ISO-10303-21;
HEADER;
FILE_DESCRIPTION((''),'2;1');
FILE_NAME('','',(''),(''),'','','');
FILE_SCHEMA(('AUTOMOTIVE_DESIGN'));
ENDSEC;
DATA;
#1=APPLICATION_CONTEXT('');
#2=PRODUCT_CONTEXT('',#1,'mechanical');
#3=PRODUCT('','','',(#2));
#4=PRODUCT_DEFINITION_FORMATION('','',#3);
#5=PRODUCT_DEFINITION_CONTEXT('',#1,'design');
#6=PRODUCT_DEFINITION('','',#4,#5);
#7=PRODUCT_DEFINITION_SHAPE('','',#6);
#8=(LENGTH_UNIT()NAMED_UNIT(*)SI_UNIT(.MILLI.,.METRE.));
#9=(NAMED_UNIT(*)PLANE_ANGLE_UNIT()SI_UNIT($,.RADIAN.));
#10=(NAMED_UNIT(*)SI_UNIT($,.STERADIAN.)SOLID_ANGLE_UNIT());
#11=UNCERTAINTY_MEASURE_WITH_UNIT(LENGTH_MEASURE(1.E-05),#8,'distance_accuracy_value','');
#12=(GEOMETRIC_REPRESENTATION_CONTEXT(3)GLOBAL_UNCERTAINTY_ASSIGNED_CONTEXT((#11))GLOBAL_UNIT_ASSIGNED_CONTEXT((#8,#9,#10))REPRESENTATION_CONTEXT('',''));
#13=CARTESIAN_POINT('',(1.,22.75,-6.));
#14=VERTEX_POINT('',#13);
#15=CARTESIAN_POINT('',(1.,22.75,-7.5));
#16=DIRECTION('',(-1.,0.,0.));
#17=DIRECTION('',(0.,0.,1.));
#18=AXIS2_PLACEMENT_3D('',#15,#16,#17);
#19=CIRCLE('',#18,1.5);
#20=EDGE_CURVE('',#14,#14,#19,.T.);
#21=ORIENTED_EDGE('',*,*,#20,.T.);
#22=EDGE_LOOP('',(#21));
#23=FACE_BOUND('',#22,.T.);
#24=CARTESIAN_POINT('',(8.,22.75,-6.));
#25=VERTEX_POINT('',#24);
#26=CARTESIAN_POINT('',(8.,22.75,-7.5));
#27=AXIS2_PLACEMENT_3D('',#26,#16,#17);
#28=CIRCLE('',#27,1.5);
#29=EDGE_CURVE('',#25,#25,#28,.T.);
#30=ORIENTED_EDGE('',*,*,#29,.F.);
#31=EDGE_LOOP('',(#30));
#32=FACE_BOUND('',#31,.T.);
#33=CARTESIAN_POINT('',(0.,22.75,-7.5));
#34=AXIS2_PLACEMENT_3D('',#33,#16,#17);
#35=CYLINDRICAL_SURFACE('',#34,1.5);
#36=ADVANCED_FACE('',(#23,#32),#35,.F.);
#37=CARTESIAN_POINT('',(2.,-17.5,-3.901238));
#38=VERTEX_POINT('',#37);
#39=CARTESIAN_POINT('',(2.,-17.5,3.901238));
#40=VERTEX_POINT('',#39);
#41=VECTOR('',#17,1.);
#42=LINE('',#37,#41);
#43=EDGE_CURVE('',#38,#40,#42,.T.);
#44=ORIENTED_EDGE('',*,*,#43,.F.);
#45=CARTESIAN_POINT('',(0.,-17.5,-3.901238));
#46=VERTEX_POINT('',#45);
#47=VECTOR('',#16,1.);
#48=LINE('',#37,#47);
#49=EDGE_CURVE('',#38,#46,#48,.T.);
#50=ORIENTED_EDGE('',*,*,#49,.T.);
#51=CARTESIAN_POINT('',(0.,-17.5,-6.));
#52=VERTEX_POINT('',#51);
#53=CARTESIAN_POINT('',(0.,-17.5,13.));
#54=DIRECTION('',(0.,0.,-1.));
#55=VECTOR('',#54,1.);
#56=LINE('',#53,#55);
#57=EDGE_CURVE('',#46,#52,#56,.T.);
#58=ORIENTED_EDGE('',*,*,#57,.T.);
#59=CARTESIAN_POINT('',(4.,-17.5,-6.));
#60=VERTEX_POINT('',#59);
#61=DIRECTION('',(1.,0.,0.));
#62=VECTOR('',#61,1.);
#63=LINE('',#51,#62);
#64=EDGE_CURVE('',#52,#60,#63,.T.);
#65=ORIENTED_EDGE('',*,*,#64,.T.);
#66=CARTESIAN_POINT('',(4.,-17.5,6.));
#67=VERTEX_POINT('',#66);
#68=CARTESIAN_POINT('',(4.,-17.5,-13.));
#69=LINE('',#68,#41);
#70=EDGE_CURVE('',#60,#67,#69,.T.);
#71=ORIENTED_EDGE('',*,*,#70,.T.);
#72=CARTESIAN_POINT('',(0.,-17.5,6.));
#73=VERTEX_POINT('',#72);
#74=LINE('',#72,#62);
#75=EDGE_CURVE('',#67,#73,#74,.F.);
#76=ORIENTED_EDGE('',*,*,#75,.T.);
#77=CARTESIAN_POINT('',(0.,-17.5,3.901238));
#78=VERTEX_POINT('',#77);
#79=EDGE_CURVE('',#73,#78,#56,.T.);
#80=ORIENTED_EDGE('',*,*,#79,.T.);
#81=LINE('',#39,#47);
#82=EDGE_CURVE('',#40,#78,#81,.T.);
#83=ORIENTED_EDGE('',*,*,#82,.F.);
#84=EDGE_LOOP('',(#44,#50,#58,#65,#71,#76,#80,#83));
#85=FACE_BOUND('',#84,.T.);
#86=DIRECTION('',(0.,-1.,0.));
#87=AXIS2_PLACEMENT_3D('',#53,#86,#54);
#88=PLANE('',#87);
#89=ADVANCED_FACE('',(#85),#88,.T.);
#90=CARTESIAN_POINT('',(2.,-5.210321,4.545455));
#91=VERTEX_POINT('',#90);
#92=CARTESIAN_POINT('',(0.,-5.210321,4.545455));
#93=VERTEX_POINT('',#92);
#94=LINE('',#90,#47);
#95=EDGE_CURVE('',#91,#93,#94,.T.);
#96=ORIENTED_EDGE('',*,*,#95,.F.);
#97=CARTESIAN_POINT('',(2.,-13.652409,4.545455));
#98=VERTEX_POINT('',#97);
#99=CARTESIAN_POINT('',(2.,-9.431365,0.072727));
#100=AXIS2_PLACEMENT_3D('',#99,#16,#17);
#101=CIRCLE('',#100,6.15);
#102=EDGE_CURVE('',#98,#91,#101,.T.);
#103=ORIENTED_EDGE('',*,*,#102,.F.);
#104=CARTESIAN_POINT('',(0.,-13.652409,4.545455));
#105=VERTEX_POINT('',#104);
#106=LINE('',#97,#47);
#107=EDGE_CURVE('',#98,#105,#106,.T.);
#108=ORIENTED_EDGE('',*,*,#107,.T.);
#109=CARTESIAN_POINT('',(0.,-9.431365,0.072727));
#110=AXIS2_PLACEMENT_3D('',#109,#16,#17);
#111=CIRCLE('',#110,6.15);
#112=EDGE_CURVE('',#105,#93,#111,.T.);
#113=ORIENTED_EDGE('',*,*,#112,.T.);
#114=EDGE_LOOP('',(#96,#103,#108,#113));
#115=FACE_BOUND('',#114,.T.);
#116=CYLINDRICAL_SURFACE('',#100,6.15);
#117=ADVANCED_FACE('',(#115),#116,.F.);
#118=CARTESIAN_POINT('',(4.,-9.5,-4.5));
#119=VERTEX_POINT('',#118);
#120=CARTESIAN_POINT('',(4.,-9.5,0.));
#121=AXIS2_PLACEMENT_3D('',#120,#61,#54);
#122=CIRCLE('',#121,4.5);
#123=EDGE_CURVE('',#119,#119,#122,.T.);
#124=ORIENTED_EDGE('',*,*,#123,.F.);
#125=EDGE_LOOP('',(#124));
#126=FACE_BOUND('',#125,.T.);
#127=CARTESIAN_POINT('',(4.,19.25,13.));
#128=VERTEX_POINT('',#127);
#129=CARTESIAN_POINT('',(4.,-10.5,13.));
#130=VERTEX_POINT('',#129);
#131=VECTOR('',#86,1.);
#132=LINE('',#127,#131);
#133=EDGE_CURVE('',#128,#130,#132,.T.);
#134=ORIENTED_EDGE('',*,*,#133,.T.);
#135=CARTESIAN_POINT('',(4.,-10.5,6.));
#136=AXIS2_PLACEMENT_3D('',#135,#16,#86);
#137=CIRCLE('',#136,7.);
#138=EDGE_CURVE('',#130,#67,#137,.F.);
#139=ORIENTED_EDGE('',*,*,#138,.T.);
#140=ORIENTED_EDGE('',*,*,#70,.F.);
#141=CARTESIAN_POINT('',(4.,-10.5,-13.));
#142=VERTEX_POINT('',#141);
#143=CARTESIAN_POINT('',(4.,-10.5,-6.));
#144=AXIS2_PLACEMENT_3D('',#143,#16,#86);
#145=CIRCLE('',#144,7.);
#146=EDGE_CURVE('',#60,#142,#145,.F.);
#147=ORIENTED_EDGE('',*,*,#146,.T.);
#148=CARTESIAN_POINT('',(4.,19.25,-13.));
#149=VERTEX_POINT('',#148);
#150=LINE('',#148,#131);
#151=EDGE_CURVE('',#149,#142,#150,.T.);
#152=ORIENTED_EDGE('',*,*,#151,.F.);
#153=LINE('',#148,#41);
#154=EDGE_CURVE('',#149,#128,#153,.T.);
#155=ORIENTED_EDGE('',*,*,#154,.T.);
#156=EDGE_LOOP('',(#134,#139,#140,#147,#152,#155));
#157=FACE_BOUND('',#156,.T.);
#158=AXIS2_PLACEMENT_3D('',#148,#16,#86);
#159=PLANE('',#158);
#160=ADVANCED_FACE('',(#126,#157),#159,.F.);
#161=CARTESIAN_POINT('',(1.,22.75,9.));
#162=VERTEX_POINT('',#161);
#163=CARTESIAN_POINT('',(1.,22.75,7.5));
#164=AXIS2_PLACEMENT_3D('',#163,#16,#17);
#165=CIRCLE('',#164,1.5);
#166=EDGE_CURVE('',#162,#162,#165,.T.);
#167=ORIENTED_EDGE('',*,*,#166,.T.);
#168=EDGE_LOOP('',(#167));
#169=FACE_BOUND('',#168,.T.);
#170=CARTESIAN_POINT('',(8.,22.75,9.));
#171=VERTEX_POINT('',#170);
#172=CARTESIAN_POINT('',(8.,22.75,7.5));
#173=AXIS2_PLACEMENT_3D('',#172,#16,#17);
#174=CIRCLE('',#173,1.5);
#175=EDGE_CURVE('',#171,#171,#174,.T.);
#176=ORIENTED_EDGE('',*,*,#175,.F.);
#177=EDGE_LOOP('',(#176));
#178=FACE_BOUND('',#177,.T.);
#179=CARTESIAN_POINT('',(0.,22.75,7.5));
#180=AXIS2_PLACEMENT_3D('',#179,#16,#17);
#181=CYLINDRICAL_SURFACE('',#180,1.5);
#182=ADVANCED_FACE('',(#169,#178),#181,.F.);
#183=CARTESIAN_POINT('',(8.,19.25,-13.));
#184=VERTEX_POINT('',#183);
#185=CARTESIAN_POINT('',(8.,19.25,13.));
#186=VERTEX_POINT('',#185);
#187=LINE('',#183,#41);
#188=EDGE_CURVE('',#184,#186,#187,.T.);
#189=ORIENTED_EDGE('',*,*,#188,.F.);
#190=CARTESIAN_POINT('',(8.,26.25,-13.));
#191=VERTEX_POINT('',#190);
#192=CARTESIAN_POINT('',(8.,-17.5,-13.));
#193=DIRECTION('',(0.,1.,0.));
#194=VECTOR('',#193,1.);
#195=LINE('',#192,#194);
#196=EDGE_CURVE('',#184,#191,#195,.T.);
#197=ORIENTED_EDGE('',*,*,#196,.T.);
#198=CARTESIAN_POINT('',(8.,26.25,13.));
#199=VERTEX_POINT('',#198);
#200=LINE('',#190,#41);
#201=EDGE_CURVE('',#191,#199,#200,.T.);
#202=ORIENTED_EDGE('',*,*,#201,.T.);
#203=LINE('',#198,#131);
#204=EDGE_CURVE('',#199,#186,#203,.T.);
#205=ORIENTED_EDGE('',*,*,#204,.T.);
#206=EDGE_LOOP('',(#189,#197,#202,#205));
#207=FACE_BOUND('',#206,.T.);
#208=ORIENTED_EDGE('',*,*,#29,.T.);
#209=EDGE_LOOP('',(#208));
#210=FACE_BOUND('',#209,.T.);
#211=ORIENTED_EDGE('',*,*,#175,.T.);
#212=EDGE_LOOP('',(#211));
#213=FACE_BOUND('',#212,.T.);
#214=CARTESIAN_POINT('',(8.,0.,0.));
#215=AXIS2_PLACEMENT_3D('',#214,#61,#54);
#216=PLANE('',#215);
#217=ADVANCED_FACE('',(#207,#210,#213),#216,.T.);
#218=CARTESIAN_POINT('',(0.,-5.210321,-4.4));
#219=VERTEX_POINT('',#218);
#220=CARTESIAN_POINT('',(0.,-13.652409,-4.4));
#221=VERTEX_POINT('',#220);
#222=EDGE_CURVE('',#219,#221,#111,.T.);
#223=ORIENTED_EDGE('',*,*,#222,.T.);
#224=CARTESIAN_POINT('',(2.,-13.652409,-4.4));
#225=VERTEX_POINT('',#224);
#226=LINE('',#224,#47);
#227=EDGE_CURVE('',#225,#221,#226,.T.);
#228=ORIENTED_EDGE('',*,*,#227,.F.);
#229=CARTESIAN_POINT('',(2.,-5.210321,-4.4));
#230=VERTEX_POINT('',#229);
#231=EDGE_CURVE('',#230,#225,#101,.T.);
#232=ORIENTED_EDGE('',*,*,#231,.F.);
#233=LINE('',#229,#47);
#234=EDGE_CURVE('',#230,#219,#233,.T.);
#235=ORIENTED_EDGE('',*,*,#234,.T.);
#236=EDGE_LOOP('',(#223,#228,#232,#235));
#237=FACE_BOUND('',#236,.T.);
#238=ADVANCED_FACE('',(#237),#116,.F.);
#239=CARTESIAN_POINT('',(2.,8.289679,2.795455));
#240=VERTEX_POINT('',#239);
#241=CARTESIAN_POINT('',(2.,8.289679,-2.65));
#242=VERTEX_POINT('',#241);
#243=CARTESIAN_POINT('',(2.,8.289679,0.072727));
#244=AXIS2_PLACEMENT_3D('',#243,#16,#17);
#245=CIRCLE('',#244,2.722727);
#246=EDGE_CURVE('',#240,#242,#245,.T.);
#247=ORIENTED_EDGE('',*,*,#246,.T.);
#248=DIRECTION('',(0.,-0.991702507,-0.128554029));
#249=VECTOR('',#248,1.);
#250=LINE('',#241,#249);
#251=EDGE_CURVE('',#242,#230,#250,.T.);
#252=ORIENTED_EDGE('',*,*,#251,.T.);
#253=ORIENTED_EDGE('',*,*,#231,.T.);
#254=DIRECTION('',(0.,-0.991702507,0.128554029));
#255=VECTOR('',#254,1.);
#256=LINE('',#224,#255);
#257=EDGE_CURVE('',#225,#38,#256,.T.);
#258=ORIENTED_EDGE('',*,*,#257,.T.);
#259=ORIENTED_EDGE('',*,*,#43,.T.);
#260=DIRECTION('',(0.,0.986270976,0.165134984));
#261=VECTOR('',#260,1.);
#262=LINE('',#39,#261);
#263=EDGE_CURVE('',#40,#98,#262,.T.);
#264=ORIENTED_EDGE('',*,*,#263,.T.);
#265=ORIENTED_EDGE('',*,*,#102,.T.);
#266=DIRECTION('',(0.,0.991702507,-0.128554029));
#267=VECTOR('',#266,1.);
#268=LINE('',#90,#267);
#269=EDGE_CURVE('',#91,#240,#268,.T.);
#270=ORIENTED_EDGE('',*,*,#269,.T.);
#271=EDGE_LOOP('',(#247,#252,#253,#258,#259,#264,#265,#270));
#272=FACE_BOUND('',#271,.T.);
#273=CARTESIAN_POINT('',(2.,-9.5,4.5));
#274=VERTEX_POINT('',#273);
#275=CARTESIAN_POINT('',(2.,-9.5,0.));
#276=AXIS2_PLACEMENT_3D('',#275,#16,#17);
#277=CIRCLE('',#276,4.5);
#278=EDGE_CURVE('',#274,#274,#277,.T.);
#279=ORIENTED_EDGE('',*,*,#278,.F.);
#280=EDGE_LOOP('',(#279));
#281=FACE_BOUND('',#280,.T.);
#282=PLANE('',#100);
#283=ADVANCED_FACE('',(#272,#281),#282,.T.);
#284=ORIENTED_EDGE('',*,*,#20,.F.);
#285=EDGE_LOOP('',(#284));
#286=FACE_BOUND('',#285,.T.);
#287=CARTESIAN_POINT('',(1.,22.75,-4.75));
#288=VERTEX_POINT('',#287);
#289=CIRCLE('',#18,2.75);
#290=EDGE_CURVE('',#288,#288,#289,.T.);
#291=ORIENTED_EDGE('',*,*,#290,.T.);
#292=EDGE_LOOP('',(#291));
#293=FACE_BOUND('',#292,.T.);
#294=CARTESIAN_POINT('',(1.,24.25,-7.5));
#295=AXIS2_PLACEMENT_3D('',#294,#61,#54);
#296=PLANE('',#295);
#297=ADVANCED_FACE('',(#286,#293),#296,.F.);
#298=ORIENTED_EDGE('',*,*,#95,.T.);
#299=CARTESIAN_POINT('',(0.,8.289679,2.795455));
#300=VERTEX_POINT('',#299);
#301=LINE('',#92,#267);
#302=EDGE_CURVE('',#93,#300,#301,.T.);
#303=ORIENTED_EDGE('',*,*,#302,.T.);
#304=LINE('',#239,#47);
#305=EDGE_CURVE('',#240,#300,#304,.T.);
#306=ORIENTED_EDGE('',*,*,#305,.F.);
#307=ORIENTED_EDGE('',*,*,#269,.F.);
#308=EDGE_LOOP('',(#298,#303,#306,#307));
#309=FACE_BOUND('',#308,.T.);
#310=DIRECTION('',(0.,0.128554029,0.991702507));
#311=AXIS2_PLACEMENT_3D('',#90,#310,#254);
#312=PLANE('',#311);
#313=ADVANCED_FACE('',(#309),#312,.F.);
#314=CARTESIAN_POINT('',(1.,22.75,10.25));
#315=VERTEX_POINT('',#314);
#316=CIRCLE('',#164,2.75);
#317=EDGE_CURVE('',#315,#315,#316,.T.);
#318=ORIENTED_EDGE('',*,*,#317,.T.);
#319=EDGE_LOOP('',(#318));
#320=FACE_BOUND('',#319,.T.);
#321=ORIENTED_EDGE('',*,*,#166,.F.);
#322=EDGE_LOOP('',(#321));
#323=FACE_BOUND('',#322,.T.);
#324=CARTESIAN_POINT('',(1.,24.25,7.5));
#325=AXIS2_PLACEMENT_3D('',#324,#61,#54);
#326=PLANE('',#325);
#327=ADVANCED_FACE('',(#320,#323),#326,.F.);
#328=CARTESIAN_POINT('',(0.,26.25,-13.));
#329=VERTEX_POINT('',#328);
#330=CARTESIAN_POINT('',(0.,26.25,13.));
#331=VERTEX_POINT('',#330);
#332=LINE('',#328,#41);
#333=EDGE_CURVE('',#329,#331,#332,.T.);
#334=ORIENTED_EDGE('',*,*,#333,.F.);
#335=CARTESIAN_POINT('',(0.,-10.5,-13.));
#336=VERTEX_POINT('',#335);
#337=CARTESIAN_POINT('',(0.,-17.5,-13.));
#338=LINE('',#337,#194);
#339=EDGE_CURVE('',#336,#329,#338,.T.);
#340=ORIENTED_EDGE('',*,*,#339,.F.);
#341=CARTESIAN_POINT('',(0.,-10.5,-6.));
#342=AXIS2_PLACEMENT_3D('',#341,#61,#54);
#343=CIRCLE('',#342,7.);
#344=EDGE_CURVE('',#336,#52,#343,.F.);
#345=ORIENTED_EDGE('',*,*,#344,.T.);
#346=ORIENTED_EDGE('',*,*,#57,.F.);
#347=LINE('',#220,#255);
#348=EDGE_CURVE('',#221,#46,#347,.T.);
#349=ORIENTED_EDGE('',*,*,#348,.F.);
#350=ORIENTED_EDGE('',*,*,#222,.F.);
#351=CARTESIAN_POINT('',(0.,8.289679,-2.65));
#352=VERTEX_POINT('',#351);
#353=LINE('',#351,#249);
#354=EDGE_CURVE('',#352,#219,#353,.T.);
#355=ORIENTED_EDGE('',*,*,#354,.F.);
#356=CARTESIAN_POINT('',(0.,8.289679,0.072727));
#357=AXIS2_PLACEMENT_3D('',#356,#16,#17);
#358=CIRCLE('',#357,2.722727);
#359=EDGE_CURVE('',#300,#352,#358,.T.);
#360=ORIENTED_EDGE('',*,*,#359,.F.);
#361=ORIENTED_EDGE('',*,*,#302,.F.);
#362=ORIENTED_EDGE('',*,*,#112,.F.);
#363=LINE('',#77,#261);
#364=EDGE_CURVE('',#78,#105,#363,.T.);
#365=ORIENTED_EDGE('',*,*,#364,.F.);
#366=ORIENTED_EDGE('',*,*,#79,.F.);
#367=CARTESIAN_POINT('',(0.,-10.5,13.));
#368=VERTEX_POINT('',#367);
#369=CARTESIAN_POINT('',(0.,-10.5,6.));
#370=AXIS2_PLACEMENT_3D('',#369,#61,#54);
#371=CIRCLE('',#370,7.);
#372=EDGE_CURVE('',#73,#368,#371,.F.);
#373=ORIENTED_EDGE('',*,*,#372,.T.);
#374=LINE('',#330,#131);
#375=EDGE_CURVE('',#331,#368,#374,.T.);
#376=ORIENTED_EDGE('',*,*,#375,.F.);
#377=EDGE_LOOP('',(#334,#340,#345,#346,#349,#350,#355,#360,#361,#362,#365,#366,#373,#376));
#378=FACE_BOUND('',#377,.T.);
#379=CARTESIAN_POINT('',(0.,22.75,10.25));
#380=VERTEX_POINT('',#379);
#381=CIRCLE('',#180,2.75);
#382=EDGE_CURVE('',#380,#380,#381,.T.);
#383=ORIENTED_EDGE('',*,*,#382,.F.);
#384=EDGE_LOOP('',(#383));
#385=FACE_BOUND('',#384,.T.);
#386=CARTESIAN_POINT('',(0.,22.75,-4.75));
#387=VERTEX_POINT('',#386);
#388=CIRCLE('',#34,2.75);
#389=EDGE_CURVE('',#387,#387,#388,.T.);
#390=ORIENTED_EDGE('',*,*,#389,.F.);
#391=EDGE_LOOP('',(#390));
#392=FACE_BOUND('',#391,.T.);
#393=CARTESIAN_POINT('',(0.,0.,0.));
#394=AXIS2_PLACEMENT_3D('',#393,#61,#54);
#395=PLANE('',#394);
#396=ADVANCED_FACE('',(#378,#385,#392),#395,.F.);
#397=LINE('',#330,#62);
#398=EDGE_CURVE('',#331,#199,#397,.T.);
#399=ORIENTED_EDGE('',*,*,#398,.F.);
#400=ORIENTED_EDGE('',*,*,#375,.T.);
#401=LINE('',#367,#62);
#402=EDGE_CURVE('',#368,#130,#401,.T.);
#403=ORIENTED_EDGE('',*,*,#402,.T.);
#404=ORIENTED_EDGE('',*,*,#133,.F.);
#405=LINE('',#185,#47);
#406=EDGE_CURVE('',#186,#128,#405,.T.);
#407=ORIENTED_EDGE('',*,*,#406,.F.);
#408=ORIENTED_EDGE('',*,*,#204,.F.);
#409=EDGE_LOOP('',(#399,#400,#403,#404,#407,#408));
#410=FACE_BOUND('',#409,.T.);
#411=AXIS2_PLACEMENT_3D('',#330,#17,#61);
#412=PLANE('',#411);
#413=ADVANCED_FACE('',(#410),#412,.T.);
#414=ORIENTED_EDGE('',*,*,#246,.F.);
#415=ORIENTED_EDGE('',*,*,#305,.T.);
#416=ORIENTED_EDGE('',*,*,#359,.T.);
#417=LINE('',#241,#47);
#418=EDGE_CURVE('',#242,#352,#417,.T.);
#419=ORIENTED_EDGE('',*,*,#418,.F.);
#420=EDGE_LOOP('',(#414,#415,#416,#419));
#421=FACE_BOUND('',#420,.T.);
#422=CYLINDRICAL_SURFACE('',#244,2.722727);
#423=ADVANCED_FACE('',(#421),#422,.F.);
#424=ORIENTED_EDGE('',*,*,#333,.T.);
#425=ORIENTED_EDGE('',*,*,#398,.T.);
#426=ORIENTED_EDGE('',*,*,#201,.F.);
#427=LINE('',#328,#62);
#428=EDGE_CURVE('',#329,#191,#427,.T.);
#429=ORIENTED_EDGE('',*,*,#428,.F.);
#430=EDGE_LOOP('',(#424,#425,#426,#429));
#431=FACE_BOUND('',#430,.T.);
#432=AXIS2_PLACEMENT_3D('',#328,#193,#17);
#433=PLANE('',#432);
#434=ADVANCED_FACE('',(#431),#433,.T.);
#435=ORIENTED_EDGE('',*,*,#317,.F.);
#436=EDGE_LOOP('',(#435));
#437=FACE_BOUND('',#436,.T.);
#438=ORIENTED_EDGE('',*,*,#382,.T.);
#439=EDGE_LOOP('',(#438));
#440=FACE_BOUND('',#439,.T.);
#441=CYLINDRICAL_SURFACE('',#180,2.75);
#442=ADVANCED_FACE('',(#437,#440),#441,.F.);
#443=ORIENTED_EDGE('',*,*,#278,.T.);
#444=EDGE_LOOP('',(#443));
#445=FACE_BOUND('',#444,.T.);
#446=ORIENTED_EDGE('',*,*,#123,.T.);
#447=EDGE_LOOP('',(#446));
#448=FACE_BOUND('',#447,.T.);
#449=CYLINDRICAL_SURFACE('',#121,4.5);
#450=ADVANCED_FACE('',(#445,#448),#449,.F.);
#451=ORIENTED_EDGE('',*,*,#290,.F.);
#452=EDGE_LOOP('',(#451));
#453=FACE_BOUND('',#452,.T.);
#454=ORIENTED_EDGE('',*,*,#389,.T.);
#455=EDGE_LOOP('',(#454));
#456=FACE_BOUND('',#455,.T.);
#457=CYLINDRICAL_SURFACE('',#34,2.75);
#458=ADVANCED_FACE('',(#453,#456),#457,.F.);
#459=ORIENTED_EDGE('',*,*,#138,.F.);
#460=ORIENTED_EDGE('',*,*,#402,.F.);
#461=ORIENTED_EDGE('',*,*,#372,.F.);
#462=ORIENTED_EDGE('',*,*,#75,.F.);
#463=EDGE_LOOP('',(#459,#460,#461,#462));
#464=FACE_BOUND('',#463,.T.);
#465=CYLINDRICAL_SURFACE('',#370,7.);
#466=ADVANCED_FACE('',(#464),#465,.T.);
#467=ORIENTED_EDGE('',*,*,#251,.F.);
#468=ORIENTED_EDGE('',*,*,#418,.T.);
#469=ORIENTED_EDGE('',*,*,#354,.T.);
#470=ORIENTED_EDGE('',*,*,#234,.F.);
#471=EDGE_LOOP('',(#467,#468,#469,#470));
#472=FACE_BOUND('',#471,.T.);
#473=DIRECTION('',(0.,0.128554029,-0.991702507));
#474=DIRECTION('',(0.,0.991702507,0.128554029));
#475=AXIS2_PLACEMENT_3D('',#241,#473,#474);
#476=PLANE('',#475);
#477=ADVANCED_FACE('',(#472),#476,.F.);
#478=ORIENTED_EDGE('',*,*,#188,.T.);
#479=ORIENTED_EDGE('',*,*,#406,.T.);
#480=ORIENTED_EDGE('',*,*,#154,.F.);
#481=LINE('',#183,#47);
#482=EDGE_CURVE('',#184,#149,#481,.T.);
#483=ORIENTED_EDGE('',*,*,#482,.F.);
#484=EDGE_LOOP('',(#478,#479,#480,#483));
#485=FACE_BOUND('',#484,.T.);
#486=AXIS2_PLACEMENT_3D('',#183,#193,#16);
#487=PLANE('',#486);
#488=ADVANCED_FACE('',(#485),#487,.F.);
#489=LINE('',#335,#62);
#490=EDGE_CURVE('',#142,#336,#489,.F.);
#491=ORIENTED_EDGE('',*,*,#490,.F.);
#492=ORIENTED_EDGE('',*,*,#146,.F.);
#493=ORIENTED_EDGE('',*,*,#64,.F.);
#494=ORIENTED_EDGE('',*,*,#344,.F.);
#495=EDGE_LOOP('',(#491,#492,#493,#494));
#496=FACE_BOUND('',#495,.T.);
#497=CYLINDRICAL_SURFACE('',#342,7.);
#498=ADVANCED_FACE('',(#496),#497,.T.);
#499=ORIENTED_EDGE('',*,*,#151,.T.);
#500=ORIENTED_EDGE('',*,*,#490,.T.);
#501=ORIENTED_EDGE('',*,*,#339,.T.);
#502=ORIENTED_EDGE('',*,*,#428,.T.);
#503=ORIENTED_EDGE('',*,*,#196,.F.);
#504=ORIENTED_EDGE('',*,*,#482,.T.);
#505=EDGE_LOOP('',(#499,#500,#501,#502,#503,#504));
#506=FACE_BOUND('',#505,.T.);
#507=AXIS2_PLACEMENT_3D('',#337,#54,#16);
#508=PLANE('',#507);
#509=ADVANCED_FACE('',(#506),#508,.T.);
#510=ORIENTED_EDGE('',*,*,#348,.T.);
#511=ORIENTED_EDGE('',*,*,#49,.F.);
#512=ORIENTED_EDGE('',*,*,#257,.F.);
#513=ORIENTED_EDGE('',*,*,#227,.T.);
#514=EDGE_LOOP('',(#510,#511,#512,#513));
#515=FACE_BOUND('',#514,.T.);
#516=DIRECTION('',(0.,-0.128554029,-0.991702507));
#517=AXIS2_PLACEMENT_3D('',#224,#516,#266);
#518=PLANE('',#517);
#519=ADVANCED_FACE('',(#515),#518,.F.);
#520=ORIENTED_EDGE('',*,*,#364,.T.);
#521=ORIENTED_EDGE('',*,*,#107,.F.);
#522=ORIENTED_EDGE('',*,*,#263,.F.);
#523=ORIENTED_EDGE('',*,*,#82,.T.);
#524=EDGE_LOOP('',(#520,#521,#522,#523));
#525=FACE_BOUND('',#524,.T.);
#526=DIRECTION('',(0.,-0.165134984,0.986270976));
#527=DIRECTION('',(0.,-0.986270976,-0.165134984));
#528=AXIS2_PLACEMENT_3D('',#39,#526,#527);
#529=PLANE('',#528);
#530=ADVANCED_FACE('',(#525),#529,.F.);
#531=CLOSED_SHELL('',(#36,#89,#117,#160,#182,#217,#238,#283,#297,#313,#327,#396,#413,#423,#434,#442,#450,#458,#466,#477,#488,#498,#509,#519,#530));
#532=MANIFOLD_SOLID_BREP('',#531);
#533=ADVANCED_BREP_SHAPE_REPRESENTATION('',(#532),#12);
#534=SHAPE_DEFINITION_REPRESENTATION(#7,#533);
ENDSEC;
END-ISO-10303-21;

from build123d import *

# Parameters (mm, degrees)
SKETCH_1_W                    = 26
SKETCH_1_H                    = 43.75
EXTRUDE_1_DEPTH               = 8
CUT_EXTRUDE_1_DEPTH           = 2
SKETCH_3_W                    = 4
SKETCH_3_H                    = 36.75
CUT_EXTRUDE_2_DEPTH           = 38.802943007
HOLE_WIZARD_M2_51_D           = 3
HOLE_WIZARD_M2_51_CBORE_D     = 5.5
HOLE_WIZARD_M2_51_CBORE_DEPTH = 1
HOLE_WIZARD_9_0_9_1_D         = 9
HOLE_WIZARD_9_0_9_1_DEPTH     = 4
FILLET_1_R                    = 7


with BuildPart() as part:
    # Эскиз1 → Бобышка-Вытянуть1 (new body)
    with BuildSketch(Plane(origin=(8, 0, 0), x_dir=(0, 0, -1), z_dir=(1, 0, 0))):
        with Locations((0, 4.375)):
            Rectangle(SKETCH_1_W, SKETCH_1_H)
    extrude(amount=-EXTRUDE_1_DEPTH)

    # Эскиз2 → Вырез-Вытянуть1 (cut)
    with BuildSketch(Plane.ZY):
        with BuildLine():
            Line((3.901238196, -17.5), (4.545454545, -13.652408939))
            ThreePointArc((4.545454545, -13.652408939), (6.222727273, -9.431365141), (4.545454545, -5.210321344))
            Line((4.545454545, -5.210321344), (2.795454545, 8.289678656))
            ThreePointArc((2.795454545, 8.289678656), (0.072727273, 11.012405929), (-2.65, 8.289678656))
            Line((-2.65, 8.289678656), (-4.4, -5.210321344))
            ThreePointArc((-4.4, -5.210321344), (-6.077272727, -9.431365141), (-4.4, -13.652408939))
            Line((-4.4, -13.652408939), (-3.901238196, -17.5))
            Line((-3.901238196, -17.5), (3.901238196, -17.5))
        make_face()
    extrude(amount=-CUT_EXTRUDE_1_DEPTH, mode=Mode.SUBTRACT)

    # Эскиз3 → Вырез-Вытянуть2 (cut, through all)
    with BuildSketch(Plane.XY.offset(13)):
        with Locations((6, 0.875)):
            Rectangle(SKETCH_3_W, SKETCH_3_H)
    extrude(amount=-CUT_EXTRUDE_2_DEPTH, mode=Mode.SUBTRACT)

    # Цековка для винта с заклепочной головкой M2.51 (through all)
    with Locations(Plane.ZY):
        with Locations((-7.5, 22.75), (7.5, 22.75)):
            CounterBoreHole(HOLE_WIZARD_M2_51_D / 2, HOLE_WIZARD_M2_51_CBORE_D / 2, HOLE_WIZARD_M2_51_CBORE_DEPTH)

    # Диаметр отверстия Ø9.0 (9)1
    with Locations(Plane(origin=(4, 0, 0), x_dir=(0, 0, -1), z_dir=(1, 0, 0))):
        with Locations((0, -9.5)):
            Hole(HOLE_WIZARD_9_0_9_1_D / 2, depth=HOLE_WIZARD_9_0_9_1_DEPTH)

    # Скругление1
    fillet_1_edges = [part.edges().sort_by_distance(p)[0] for p in [
        (2, -17.5, -13),
        (2, -17.5, 13),
    ]]
    fillet(fillet_1_edges, radius=FILLET_1_R)


solid = part.part
